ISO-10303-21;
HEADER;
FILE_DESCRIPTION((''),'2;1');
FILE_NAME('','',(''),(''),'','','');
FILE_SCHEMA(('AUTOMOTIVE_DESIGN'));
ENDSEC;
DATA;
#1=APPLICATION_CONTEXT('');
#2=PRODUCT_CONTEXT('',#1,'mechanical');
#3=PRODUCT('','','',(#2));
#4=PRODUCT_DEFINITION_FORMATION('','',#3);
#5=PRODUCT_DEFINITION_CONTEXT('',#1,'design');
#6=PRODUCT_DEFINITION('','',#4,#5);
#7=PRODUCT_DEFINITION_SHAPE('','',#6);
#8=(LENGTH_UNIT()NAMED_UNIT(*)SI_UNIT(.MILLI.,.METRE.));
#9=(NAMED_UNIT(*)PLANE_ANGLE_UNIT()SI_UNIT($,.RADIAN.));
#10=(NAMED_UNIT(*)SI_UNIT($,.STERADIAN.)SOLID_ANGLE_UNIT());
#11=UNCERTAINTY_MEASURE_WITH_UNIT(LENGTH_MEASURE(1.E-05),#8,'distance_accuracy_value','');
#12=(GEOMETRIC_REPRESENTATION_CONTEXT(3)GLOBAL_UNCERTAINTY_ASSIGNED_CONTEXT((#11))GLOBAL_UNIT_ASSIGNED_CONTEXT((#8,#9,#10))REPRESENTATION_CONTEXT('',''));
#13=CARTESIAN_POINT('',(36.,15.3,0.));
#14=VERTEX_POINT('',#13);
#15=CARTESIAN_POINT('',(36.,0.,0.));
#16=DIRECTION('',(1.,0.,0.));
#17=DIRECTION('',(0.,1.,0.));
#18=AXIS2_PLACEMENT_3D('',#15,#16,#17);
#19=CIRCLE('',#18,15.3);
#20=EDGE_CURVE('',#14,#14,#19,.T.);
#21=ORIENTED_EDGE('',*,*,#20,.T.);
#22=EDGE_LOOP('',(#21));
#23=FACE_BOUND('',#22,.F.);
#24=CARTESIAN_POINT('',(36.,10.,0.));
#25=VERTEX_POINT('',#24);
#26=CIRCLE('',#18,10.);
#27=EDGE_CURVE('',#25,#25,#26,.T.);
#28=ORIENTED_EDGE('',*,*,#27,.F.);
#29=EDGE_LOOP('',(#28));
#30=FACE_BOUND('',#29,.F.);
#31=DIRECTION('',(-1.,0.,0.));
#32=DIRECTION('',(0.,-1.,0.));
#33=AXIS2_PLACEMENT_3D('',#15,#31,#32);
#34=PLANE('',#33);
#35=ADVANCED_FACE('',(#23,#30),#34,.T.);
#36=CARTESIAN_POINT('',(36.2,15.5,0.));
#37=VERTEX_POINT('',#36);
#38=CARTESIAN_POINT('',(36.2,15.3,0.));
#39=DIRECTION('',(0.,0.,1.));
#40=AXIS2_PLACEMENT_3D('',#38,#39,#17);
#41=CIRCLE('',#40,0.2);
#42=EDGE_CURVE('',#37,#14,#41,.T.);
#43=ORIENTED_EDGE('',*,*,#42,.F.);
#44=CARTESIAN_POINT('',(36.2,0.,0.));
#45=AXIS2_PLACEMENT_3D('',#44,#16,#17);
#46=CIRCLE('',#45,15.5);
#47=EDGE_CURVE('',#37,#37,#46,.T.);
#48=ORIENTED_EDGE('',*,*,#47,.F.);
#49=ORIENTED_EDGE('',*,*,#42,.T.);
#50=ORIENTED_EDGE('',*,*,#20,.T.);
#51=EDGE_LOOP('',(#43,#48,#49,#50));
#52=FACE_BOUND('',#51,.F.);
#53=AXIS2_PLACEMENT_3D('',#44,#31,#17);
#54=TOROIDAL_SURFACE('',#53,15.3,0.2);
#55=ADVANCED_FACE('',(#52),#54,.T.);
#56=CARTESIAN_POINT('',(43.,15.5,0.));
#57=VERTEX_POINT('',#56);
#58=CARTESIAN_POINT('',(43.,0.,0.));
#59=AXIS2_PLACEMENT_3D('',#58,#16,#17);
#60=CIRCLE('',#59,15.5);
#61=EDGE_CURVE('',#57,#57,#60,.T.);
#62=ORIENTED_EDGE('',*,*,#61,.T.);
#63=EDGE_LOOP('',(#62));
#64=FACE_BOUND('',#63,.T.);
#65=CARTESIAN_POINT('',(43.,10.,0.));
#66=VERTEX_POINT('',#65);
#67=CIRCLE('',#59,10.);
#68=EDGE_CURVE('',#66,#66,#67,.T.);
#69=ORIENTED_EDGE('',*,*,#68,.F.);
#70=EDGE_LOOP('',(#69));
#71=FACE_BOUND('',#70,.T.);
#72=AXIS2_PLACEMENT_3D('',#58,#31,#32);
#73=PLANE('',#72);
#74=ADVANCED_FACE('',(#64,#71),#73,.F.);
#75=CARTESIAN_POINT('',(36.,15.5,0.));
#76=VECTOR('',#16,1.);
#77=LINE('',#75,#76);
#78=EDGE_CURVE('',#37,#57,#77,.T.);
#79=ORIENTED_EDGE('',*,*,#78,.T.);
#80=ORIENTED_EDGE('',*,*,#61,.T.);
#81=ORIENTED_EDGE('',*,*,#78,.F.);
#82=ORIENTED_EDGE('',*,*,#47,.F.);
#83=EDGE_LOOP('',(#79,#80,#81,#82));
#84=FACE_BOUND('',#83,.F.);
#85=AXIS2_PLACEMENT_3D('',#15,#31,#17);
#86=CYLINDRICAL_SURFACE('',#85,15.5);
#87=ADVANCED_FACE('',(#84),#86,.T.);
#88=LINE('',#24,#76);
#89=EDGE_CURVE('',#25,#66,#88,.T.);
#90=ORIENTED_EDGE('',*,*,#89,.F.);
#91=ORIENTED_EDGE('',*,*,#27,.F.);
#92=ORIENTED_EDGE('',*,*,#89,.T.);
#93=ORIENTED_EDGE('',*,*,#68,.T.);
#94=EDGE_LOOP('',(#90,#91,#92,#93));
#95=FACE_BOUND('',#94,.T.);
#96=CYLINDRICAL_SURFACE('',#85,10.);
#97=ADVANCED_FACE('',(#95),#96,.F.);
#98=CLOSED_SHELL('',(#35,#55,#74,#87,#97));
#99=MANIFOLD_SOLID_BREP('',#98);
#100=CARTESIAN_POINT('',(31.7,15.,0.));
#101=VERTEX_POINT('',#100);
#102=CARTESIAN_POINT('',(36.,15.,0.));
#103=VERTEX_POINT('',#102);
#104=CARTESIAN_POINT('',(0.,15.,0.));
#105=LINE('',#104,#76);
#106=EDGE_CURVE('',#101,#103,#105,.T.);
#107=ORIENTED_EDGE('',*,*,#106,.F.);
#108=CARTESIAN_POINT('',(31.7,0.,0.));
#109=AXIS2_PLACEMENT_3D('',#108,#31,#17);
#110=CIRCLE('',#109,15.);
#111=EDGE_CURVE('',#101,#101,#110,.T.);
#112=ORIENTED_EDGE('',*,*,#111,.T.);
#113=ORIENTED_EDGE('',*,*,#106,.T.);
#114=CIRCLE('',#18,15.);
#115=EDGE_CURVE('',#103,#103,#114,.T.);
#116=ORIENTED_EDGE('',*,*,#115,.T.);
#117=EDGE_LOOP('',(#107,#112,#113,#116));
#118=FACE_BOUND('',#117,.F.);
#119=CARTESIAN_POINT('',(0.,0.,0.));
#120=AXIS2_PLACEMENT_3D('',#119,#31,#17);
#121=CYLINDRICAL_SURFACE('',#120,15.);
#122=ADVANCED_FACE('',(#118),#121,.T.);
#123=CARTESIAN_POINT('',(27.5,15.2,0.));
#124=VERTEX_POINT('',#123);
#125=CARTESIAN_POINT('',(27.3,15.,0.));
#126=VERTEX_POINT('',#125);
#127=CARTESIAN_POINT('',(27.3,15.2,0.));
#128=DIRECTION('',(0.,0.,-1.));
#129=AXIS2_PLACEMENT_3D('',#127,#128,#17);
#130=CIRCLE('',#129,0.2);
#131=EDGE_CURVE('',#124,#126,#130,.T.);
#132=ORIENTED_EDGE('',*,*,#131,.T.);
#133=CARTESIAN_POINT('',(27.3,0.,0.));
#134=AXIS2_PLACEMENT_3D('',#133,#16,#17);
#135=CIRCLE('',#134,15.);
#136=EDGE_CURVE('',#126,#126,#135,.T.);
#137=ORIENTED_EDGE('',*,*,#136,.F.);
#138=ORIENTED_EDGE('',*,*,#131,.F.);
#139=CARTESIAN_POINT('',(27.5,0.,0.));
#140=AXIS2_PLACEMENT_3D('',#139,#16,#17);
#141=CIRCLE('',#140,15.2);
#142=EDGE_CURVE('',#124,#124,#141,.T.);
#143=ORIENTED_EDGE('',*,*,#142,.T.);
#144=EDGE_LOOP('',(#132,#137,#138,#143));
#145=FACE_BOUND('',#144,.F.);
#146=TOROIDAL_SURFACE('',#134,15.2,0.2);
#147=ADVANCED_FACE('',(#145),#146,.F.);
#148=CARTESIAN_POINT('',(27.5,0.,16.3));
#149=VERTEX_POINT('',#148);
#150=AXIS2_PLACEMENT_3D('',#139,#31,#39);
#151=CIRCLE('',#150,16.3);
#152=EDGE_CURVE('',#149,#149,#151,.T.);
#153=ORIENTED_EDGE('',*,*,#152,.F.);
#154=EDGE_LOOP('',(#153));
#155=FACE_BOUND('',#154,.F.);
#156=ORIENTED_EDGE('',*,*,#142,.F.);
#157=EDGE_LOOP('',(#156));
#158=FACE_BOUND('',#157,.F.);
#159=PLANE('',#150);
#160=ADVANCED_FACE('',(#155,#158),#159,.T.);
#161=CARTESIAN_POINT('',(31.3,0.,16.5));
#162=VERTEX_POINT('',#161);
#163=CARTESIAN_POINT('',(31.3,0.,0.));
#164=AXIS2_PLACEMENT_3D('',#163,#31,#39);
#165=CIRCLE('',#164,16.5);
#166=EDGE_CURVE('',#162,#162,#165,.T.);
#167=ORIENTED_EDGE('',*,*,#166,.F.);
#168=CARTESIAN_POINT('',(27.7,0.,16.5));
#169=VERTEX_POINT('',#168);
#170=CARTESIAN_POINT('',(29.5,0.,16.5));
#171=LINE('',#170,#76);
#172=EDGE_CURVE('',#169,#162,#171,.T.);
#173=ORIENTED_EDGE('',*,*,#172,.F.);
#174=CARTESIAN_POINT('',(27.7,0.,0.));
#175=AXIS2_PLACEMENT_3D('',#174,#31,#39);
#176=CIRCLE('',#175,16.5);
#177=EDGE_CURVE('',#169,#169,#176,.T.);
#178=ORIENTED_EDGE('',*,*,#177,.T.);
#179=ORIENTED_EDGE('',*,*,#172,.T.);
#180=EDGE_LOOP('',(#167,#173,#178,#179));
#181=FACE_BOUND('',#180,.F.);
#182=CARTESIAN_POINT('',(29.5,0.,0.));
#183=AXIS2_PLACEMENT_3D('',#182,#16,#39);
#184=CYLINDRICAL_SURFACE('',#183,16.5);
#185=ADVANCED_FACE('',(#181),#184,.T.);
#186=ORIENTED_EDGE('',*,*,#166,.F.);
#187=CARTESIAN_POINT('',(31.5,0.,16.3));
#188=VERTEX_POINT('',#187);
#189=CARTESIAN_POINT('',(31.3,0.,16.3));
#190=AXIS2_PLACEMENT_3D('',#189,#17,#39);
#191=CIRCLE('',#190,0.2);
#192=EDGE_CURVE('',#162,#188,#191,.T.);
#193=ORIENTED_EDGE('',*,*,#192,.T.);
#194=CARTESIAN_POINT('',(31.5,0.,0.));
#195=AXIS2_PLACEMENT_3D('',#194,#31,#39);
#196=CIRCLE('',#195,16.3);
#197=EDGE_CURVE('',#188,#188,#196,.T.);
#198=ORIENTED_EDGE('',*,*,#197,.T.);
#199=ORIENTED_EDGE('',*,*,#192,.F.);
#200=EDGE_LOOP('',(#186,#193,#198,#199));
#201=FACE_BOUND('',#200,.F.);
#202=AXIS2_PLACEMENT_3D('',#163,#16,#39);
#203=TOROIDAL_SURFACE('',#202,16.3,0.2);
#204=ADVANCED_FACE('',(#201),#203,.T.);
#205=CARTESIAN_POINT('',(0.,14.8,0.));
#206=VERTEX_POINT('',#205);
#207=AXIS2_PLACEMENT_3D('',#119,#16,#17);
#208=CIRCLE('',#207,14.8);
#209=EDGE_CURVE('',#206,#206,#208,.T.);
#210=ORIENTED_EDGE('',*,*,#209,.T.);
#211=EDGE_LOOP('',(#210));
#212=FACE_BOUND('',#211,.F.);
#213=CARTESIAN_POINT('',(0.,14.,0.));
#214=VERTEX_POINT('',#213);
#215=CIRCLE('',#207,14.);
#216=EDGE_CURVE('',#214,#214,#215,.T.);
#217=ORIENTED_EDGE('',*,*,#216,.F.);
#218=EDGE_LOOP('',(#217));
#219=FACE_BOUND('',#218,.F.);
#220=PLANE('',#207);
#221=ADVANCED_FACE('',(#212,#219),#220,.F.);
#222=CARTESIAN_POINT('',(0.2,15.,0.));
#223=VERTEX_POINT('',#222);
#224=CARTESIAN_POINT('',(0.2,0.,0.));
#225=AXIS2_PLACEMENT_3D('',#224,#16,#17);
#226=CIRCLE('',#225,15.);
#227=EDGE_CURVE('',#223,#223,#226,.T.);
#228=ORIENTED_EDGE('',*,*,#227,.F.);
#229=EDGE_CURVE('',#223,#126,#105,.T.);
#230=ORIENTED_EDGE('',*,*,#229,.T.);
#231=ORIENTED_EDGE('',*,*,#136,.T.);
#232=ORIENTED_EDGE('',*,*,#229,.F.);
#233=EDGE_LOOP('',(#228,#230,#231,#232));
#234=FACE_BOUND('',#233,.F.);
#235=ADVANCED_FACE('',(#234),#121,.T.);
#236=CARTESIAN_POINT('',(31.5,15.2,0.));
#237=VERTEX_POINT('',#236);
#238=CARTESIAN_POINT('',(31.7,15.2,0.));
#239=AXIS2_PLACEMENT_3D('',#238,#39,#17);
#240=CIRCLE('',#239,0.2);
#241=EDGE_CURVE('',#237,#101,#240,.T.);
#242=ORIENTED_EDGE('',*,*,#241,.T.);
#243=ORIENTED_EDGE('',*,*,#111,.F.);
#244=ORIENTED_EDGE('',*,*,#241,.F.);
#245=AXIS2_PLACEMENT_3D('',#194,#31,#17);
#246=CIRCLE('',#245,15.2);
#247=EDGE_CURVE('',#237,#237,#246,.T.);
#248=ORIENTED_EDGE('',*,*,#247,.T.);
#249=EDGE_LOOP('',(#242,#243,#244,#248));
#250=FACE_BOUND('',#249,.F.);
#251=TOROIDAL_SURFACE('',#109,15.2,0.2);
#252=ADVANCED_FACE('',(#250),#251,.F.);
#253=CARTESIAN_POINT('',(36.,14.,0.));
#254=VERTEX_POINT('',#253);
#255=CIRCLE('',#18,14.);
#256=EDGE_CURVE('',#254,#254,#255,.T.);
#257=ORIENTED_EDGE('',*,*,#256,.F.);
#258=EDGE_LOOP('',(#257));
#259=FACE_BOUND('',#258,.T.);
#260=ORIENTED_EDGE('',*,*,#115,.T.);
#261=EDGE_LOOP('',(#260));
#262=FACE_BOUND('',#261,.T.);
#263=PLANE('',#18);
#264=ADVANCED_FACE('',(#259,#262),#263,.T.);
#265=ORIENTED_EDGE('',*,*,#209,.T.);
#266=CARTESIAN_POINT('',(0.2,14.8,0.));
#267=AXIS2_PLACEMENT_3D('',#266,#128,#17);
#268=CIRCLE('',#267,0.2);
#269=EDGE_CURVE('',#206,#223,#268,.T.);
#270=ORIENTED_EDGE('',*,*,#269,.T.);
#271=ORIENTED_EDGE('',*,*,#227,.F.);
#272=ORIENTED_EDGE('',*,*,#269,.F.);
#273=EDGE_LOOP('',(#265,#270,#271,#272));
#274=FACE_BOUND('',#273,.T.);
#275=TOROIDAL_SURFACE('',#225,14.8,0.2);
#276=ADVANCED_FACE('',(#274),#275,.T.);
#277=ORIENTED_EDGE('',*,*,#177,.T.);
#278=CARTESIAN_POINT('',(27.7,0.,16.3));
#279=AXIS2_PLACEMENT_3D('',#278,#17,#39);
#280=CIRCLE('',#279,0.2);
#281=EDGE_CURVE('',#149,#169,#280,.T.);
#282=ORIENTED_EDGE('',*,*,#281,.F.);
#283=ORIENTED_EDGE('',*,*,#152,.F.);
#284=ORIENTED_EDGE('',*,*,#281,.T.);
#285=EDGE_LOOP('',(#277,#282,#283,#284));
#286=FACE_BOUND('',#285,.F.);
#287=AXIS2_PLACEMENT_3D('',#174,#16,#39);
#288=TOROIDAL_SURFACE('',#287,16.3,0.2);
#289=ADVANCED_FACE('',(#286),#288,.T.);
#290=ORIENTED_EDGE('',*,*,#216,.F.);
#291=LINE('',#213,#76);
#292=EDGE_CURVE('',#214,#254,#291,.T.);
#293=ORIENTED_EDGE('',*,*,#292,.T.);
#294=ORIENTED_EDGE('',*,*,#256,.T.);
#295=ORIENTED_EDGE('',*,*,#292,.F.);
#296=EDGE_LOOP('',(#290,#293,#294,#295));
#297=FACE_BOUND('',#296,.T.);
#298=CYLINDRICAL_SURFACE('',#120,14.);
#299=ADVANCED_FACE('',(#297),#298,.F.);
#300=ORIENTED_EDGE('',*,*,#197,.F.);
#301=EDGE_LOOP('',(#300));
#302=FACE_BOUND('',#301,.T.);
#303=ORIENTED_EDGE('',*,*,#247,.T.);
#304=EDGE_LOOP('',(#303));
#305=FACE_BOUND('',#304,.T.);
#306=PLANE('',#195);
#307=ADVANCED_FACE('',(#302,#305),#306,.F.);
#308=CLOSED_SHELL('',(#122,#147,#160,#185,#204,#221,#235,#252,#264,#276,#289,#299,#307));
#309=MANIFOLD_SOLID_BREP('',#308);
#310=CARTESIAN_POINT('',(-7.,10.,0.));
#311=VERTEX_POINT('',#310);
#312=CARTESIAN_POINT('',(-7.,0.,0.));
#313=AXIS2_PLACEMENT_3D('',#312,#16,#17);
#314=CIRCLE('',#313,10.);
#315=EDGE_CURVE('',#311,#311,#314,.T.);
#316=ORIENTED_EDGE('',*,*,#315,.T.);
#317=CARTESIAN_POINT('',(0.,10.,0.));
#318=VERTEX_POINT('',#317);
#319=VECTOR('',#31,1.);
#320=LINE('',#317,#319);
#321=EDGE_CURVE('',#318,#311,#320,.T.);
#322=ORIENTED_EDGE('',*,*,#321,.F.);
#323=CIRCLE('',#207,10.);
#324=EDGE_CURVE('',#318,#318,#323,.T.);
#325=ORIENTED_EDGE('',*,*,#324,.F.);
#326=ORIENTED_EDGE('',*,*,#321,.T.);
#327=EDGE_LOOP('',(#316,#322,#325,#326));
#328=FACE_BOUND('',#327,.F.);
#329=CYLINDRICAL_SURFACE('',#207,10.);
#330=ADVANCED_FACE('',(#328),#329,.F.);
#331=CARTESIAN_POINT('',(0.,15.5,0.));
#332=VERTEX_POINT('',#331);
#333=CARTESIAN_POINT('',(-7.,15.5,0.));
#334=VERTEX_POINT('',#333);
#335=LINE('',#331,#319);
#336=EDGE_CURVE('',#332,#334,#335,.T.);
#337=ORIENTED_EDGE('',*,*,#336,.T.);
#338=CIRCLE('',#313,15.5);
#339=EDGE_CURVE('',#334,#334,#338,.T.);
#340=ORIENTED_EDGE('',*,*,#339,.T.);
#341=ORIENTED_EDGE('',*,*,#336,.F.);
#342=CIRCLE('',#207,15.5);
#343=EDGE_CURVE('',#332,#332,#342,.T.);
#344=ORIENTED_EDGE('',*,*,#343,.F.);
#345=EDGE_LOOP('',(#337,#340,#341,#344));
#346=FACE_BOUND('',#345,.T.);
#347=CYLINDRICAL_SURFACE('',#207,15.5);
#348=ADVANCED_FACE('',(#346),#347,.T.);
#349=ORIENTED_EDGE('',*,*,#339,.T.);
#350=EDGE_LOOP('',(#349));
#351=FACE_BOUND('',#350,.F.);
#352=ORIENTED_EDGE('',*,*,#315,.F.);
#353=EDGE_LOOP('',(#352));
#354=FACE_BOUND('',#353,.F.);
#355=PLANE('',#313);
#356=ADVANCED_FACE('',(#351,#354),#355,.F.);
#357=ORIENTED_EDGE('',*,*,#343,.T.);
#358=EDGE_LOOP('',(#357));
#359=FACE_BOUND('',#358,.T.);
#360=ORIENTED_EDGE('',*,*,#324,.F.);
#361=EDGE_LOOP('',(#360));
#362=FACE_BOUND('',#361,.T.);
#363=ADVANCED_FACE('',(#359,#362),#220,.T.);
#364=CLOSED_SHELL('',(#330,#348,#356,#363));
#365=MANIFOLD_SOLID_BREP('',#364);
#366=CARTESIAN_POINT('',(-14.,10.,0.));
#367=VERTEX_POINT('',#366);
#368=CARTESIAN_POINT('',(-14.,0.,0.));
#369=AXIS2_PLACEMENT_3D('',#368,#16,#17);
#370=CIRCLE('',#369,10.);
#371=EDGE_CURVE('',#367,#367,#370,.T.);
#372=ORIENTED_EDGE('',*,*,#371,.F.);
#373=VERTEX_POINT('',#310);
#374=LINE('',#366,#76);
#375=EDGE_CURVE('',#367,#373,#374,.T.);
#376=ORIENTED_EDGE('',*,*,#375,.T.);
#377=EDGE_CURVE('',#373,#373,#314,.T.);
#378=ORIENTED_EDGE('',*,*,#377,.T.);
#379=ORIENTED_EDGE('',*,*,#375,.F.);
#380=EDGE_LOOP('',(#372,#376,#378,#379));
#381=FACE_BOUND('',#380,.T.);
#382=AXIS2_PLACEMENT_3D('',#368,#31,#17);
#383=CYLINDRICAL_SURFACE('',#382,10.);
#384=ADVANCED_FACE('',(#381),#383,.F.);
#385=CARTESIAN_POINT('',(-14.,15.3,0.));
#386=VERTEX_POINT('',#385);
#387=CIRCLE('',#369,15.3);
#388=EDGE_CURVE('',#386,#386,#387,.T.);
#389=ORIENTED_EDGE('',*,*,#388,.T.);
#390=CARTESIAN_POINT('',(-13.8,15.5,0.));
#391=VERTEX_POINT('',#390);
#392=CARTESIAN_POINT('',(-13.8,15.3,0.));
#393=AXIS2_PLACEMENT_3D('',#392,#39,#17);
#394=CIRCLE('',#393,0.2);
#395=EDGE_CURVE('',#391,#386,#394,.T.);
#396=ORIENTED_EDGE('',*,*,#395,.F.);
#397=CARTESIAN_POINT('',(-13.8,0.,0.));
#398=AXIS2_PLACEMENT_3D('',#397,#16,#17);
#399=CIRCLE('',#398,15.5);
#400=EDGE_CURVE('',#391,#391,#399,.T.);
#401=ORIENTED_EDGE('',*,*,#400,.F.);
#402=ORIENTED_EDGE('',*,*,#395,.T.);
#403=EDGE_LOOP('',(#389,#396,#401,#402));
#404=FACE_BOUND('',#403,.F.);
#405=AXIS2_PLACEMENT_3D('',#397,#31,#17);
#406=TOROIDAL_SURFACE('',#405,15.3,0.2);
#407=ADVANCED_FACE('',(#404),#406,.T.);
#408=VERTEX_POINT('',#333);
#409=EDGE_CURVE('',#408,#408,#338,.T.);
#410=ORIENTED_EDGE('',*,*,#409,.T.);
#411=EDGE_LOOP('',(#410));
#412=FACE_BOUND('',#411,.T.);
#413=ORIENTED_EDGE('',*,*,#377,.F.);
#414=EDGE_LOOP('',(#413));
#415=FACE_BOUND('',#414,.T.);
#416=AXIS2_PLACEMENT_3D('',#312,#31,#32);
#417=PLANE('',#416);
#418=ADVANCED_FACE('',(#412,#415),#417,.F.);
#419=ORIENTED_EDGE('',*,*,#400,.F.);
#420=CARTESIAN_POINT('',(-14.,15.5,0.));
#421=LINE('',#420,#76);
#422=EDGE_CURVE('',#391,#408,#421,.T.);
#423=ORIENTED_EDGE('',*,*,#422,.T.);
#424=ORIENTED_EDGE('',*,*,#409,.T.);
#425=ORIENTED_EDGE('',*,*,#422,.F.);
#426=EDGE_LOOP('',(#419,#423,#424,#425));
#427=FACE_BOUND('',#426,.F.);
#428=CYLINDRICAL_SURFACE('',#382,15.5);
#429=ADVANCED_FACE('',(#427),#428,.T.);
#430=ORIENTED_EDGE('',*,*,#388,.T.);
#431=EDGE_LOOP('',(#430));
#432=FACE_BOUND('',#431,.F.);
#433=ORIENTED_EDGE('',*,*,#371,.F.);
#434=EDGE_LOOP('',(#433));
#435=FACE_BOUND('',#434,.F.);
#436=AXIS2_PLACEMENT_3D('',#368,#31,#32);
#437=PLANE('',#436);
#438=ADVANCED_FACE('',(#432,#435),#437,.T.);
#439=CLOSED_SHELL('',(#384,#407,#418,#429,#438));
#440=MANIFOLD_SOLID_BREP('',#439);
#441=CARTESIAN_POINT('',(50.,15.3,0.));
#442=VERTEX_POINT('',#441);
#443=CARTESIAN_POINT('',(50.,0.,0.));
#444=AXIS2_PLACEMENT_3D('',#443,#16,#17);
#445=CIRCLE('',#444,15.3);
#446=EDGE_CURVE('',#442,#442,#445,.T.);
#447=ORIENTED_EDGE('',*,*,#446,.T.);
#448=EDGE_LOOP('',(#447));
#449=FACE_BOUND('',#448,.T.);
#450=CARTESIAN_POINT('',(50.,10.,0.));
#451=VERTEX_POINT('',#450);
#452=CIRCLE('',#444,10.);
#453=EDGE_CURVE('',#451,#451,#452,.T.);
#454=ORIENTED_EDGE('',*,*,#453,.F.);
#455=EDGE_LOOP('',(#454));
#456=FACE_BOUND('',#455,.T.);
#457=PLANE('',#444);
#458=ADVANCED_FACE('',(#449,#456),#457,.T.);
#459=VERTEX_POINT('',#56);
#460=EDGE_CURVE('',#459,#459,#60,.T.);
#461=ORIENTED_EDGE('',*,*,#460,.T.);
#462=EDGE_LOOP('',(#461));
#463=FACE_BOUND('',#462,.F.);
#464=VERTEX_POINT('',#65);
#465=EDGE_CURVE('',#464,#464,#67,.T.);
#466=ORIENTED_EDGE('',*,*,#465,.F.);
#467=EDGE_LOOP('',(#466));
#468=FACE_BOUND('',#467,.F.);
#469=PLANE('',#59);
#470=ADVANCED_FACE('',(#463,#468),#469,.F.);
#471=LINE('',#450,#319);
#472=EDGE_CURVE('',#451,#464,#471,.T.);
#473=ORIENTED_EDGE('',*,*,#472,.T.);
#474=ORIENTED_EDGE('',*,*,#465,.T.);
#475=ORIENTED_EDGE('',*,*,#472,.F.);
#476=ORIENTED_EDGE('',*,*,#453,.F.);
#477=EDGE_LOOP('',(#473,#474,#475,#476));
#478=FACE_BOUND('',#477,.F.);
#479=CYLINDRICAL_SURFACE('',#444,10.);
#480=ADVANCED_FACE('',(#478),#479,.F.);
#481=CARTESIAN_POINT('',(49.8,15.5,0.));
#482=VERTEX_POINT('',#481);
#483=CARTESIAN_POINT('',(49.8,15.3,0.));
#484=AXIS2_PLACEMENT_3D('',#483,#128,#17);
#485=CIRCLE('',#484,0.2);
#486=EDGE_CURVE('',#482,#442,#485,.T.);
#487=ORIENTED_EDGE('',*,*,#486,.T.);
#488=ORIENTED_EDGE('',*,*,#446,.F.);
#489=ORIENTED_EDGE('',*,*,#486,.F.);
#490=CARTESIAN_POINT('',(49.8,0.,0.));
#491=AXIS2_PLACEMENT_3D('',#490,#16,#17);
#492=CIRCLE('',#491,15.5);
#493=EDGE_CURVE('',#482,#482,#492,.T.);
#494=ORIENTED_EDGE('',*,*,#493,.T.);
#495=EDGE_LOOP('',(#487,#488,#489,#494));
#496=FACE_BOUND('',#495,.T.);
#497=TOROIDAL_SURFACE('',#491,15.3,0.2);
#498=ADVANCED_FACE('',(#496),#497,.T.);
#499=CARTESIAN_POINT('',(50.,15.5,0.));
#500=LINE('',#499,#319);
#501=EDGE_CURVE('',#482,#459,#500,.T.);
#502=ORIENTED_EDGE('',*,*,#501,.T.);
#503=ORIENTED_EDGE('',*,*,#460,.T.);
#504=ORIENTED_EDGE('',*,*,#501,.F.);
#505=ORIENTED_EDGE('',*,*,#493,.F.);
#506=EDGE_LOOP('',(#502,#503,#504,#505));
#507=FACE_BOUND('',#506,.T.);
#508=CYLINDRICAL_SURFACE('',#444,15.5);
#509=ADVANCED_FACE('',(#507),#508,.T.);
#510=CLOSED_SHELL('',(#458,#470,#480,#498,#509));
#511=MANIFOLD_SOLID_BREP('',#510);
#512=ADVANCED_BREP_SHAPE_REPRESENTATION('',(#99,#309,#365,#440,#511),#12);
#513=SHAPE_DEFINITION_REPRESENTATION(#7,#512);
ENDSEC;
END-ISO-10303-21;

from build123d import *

# Parameters (mm, degrees)
F0_R     = 15
F0_R_2   = 14
F1_DEPTH = 36
F2_R     = 15.5
F2_R_2   = 10
F3_DEPTH = 7
F7_W     = 4
F7_H     = 1.5
F9_R     = 0.2
F9_2_R   = 0.2
F9_3_R   = 0.2
F9_4_R   = 0.2


with BuildPart() as f1:
    # F0 (on Right) → F1 (new body)
    with BuildSketch(Plane.YZ):
        Circle(F0_R)
        Circle(F0_R_2, mode=Mode.SUBTRACT)
    extrude(amount=F1_DEPTH)

    # F7 (on Front) → F8 (revolve)
    with BuildSketch(Plane.XZ):
        with Locations((29.5, 15.75)):
            Rectangle(F7_W, F7_H)
    revolve(axis=Axis((0, 0, 0), (-1, 0, 0)))

    # F9#4
    f9_4_edges = [f1.edges().sort_by_distance(p)[0] for p in [
        (0, -15, 0),
        (31.5, 0, -16.5),
        (27.5, 0, -16.5),
        (27.5, -15, 0),
        (31.5, -15, 0),
    ]]
    fillet(f9_4_edges, radius=F9_4_R)


with BuildPart() as f3:
    # F2 (on Right) → F3 (new body)
    with BuildSketch(Plane.YZ):
        Circle(F2_R)
        Circle(F2_R_2, mode=Mode.SUBTRACT)
    extrude(amount=-F3_DEPTH)


with BuildPart() as f4_1:
    # F4: instance of F3
    add(f3.part.mirror(Plane(origin=(-7, 0, 0), x_dir=(0, 1, 0), z_dir=(-1, 0, 0))))


with BuildPart() as f5_1:
    # F5: instance of F3
    add(f3.part.mirror(Plane.YZ.offset(36)))


with BuildPart() as f5_2:
    # F5: instance of F4_1
    add(f4_1.part.mirror(Plane.YZ.offset(36)))


with BuildPart() as f5_1_1:
    # F6: moved
    add(f5_1.part.moved(Location((-36, 0, 0))))

    # F9#2
    f9_2_edges = [f5_1_1.edges().sort_by_distance(p)[0] for p in [
        (36, -15.5, 0),
    ]]
    fillet(f9_2_edges, radius=F9_2_R)


with BuildPart() as f5_2_1:
    # F6: moved
    add(f5_2.part.moved(Location((-36, 0, 0))))

    # F9
    f9_edges = [f5_2_1.edges().sort_by_distance(p)[0] for p in [
        (50, -15.5, 0),
    ]]
    fillet(f9_edges, radius=F9_R)


with BuildPart() as f4_1_1:
    add(f4_1.part)

    # F9#3
    f9_3_edges = [f4_1_1.edges().sort_by_distance(p)[0] for p in [
        (-14, -15.5, 0),
    ]]
    fillet(f9_3_edges, radius=F9_3_R)


solid = Compound([f1.part, f3.part, f5_1_1.part, f5_2_1.part, f4_1_1.part])
